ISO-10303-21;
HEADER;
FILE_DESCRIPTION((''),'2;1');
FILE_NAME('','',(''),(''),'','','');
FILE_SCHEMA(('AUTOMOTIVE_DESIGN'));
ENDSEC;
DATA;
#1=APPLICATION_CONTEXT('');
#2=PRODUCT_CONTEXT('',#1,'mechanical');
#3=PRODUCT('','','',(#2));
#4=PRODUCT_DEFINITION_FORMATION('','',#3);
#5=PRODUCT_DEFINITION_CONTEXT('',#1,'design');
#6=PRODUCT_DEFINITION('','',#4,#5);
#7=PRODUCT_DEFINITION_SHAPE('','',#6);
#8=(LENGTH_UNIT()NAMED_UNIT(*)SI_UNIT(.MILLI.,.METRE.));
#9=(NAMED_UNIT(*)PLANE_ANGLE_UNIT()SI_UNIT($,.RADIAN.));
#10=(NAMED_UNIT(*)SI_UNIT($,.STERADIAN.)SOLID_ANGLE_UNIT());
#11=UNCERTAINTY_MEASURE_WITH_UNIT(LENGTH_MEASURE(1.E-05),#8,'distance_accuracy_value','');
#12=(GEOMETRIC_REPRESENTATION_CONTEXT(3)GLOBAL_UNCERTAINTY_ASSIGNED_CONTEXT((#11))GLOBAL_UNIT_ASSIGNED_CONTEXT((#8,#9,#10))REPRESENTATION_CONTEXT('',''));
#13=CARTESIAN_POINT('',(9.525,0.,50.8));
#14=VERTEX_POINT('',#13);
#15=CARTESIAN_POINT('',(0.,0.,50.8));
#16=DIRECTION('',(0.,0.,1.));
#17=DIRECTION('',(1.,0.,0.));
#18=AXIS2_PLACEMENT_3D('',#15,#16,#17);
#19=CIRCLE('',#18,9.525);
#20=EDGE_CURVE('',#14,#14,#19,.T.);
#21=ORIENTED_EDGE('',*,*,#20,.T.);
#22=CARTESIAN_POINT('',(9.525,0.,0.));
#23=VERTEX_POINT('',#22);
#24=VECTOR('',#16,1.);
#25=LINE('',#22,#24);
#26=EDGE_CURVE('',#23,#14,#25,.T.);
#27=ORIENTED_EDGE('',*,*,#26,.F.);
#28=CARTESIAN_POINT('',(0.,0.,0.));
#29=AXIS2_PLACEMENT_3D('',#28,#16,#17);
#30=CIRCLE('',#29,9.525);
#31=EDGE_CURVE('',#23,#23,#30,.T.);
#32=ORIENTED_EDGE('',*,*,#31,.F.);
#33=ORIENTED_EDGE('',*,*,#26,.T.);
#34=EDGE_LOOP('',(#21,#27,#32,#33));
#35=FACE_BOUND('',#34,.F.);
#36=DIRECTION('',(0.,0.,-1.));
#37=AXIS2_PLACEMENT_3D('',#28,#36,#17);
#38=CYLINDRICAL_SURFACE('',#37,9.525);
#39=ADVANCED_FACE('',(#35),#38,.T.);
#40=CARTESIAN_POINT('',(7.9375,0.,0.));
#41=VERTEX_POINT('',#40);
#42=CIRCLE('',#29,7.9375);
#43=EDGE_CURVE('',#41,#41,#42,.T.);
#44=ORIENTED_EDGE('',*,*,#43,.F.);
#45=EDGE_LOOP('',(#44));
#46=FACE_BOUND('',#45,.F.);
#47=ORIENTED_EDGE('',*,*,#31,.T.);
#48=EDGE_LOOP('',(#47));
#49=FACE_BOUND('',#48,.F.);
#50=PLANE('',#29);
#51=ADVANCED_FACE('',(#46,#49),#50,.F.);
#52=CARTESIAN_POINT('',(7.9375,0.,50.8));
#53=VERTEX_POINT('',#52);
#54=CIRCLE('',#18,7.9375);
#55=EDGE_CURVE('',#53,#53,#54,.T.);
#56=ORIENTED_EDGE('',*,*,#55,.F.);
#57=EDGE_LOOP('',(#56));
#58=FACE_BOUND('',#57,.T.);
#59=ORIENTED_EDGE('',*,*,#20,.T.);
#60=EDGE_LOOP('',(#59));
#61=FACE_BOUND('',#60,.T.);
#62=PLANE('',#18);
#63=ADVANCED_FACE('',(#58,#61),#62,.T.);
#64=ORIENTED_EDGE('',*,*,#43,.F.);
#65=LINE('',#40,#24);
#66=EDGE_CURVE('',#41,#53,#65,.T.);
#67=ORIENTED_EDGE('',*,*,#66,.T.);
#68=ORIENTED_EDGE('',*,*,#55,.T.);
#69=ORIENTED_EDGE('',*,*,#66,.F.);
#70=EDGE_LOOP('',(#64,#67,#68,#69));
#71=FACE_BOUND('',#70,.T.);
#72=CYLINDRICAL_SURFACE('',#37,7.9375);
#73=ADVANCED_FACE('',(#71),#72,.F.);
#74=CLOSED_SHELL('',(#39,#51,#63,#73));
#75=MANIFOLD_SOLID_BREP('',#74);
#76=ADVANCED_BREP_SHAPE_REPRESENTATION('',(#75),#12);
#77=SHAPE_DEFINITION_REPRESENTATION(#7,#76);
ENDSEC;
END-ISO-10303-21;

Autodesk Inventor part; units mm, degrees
ref_plane "YZ Plane" through (0, 0, 0) normal (1, 0, 0) x (0, 1, 0)
ref_plane "XZ Plane" through (0, 0, 0) normal (0, 1, 0) x (-1, 0, 0)
ref_plane "XY Plane" through (0, 0, 0) normal (0, 0, 1) x (1, 0, 0)
sketch "Sketch1" plane through (0, 0, 0) normal (0, 0, 1) x (1, 0, 0)
  circle A0 centre (0, 0) radius 9.525
  circle A1 centre (0, 0) radius 7.9375
  dimension "d0" = 19.05
  dimension "d1" = 15.875
extrude "Extrusion1" add sketch "Sketch1" along normal blind 50.8
properties part number "Shaft Spacer Part4" material "PVC-Piping"
